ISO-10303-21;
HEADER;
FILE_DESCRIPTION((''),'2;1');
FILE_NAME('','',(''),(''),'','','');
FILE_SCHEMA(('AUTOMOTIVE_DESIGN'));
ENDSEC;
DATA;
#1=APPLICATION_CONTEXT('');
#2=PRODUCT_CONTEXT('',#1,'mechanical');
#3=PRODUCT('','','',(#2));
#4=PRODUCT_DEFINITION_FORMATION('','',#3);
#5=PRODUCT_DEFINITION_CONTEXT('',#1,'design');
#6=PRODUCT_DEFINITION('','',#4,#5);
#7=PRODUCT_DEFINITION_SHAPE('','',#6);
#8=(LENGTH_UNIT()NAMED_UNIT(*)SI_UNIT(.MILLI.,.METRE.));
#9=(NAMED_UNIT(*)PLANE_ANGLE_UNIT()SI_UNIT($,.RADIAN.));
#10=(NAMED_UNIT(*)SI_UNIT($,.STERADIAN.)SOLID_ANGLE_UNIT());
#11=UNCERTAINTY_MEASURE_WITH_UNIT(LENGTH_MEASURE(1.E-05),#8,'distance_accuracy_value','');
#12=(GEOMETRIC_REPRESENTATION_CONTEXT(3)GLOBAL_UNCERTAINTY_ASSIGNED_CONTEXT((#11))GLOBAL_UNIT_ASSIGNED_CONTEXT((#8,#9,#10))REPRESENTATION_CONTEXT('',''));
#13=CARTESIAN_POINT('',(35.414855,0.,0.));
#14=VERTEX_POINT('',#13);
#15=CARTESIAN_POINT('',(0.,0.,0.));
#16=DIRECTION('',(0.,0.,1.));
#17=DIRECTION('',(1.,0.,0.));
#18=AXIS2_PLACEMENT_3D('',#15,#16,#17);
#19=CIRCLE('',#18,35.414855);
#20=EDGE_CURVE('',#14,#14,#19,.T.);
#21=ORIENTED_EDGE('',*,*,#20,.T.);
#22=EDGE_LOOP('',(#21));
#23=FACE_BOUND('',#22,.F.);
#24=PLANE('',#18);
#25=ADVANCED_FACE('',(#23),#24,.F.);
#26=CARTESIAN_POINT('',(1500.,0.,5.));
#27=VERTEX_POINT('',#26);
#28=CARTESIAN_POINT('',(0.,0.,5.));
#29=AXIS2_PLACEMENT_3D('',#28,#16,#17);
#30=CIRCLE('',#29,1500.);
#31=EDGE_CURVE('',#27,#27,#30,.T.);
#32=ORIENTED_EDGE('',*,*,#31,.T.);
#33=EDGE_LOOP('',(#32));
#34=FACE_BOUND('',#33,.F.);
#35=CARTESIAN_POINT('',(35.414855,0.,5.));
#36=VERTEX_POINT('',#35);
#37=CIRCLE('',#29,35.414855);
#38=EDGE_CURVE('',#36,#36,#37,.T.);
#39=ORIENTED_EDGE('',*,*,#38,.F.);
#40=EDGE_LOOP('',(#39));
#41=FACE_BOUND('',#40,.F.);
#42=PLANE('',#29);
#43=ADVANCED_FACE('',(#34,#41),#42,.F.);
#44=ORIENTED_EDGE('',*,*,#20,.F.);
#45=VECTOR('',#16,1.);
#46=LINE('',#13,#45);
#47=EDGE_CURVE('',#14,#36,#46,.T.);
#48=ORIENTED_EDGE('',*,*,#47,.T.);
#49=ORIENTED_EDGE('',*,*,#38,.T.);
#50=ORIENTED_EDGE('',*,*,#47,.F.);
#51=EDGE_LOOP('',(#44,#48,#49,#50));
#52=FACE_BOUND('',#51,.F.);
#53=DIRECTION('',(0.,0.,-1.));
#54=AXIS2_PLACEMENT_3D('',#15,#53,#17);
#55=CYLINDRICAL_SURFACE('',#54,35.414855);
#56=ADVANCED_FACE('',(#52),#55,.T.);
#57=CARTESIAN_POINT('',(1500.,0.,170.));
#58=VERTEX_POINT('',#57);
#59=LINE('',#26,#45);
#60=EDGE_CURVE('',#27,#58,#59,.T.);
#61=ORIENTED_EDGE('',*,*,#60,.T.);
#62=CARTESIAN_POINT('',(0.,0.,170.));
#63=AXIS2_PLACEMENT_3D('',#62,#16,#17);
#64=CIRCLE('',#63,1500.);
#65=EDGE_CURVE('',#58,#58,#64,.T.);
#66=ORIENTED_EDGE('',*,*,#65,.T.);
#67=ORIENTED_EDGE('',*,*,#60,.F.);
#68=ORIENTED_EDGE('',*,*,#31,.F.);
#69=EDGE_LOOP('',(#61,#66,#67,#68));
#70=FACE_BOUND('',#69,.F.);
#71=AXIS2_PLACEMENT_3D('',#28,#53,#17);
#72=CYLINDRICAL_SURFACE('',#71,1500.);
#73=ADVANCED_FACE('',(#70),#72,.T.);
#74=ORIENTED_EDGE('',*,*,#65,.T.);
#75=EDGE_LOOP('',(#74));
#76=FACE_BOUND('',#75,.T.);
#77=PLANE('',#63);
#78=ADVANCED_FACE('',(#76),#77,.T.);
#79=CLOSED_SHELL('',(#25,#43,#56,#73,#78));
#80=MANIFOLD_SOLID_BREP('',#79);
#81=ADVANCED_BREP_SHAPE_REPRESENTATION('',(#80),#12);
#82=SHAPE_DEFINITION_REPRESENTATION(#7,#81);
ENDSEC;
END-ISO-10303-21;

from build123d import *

# Parameters (mm, degrees)
F0_R     = 35.4148548926
F1_DEPTH = 5
F2_R     = 1500
F2_R_2   = 35.4148548926
F3_DEPTH = 165


with BuildPart() as f1:
    # F0 (on Top) → F1 (new body)
    with BuildSketch(Plane.XY):
        Circle(F0_R)
    extrude(amount=F1_DEPTH)

    # F2 (on face) → F3 (join)
    with BuildSketch(Plane.XY.offset(5)):
        Circle(F2_R)
        Circle(F2_R_2, mode=Mode.SUBTRACT)
        Circle(F2_R_2)
    extrude(amount=F3_DEPTH)


solid = f1.part
